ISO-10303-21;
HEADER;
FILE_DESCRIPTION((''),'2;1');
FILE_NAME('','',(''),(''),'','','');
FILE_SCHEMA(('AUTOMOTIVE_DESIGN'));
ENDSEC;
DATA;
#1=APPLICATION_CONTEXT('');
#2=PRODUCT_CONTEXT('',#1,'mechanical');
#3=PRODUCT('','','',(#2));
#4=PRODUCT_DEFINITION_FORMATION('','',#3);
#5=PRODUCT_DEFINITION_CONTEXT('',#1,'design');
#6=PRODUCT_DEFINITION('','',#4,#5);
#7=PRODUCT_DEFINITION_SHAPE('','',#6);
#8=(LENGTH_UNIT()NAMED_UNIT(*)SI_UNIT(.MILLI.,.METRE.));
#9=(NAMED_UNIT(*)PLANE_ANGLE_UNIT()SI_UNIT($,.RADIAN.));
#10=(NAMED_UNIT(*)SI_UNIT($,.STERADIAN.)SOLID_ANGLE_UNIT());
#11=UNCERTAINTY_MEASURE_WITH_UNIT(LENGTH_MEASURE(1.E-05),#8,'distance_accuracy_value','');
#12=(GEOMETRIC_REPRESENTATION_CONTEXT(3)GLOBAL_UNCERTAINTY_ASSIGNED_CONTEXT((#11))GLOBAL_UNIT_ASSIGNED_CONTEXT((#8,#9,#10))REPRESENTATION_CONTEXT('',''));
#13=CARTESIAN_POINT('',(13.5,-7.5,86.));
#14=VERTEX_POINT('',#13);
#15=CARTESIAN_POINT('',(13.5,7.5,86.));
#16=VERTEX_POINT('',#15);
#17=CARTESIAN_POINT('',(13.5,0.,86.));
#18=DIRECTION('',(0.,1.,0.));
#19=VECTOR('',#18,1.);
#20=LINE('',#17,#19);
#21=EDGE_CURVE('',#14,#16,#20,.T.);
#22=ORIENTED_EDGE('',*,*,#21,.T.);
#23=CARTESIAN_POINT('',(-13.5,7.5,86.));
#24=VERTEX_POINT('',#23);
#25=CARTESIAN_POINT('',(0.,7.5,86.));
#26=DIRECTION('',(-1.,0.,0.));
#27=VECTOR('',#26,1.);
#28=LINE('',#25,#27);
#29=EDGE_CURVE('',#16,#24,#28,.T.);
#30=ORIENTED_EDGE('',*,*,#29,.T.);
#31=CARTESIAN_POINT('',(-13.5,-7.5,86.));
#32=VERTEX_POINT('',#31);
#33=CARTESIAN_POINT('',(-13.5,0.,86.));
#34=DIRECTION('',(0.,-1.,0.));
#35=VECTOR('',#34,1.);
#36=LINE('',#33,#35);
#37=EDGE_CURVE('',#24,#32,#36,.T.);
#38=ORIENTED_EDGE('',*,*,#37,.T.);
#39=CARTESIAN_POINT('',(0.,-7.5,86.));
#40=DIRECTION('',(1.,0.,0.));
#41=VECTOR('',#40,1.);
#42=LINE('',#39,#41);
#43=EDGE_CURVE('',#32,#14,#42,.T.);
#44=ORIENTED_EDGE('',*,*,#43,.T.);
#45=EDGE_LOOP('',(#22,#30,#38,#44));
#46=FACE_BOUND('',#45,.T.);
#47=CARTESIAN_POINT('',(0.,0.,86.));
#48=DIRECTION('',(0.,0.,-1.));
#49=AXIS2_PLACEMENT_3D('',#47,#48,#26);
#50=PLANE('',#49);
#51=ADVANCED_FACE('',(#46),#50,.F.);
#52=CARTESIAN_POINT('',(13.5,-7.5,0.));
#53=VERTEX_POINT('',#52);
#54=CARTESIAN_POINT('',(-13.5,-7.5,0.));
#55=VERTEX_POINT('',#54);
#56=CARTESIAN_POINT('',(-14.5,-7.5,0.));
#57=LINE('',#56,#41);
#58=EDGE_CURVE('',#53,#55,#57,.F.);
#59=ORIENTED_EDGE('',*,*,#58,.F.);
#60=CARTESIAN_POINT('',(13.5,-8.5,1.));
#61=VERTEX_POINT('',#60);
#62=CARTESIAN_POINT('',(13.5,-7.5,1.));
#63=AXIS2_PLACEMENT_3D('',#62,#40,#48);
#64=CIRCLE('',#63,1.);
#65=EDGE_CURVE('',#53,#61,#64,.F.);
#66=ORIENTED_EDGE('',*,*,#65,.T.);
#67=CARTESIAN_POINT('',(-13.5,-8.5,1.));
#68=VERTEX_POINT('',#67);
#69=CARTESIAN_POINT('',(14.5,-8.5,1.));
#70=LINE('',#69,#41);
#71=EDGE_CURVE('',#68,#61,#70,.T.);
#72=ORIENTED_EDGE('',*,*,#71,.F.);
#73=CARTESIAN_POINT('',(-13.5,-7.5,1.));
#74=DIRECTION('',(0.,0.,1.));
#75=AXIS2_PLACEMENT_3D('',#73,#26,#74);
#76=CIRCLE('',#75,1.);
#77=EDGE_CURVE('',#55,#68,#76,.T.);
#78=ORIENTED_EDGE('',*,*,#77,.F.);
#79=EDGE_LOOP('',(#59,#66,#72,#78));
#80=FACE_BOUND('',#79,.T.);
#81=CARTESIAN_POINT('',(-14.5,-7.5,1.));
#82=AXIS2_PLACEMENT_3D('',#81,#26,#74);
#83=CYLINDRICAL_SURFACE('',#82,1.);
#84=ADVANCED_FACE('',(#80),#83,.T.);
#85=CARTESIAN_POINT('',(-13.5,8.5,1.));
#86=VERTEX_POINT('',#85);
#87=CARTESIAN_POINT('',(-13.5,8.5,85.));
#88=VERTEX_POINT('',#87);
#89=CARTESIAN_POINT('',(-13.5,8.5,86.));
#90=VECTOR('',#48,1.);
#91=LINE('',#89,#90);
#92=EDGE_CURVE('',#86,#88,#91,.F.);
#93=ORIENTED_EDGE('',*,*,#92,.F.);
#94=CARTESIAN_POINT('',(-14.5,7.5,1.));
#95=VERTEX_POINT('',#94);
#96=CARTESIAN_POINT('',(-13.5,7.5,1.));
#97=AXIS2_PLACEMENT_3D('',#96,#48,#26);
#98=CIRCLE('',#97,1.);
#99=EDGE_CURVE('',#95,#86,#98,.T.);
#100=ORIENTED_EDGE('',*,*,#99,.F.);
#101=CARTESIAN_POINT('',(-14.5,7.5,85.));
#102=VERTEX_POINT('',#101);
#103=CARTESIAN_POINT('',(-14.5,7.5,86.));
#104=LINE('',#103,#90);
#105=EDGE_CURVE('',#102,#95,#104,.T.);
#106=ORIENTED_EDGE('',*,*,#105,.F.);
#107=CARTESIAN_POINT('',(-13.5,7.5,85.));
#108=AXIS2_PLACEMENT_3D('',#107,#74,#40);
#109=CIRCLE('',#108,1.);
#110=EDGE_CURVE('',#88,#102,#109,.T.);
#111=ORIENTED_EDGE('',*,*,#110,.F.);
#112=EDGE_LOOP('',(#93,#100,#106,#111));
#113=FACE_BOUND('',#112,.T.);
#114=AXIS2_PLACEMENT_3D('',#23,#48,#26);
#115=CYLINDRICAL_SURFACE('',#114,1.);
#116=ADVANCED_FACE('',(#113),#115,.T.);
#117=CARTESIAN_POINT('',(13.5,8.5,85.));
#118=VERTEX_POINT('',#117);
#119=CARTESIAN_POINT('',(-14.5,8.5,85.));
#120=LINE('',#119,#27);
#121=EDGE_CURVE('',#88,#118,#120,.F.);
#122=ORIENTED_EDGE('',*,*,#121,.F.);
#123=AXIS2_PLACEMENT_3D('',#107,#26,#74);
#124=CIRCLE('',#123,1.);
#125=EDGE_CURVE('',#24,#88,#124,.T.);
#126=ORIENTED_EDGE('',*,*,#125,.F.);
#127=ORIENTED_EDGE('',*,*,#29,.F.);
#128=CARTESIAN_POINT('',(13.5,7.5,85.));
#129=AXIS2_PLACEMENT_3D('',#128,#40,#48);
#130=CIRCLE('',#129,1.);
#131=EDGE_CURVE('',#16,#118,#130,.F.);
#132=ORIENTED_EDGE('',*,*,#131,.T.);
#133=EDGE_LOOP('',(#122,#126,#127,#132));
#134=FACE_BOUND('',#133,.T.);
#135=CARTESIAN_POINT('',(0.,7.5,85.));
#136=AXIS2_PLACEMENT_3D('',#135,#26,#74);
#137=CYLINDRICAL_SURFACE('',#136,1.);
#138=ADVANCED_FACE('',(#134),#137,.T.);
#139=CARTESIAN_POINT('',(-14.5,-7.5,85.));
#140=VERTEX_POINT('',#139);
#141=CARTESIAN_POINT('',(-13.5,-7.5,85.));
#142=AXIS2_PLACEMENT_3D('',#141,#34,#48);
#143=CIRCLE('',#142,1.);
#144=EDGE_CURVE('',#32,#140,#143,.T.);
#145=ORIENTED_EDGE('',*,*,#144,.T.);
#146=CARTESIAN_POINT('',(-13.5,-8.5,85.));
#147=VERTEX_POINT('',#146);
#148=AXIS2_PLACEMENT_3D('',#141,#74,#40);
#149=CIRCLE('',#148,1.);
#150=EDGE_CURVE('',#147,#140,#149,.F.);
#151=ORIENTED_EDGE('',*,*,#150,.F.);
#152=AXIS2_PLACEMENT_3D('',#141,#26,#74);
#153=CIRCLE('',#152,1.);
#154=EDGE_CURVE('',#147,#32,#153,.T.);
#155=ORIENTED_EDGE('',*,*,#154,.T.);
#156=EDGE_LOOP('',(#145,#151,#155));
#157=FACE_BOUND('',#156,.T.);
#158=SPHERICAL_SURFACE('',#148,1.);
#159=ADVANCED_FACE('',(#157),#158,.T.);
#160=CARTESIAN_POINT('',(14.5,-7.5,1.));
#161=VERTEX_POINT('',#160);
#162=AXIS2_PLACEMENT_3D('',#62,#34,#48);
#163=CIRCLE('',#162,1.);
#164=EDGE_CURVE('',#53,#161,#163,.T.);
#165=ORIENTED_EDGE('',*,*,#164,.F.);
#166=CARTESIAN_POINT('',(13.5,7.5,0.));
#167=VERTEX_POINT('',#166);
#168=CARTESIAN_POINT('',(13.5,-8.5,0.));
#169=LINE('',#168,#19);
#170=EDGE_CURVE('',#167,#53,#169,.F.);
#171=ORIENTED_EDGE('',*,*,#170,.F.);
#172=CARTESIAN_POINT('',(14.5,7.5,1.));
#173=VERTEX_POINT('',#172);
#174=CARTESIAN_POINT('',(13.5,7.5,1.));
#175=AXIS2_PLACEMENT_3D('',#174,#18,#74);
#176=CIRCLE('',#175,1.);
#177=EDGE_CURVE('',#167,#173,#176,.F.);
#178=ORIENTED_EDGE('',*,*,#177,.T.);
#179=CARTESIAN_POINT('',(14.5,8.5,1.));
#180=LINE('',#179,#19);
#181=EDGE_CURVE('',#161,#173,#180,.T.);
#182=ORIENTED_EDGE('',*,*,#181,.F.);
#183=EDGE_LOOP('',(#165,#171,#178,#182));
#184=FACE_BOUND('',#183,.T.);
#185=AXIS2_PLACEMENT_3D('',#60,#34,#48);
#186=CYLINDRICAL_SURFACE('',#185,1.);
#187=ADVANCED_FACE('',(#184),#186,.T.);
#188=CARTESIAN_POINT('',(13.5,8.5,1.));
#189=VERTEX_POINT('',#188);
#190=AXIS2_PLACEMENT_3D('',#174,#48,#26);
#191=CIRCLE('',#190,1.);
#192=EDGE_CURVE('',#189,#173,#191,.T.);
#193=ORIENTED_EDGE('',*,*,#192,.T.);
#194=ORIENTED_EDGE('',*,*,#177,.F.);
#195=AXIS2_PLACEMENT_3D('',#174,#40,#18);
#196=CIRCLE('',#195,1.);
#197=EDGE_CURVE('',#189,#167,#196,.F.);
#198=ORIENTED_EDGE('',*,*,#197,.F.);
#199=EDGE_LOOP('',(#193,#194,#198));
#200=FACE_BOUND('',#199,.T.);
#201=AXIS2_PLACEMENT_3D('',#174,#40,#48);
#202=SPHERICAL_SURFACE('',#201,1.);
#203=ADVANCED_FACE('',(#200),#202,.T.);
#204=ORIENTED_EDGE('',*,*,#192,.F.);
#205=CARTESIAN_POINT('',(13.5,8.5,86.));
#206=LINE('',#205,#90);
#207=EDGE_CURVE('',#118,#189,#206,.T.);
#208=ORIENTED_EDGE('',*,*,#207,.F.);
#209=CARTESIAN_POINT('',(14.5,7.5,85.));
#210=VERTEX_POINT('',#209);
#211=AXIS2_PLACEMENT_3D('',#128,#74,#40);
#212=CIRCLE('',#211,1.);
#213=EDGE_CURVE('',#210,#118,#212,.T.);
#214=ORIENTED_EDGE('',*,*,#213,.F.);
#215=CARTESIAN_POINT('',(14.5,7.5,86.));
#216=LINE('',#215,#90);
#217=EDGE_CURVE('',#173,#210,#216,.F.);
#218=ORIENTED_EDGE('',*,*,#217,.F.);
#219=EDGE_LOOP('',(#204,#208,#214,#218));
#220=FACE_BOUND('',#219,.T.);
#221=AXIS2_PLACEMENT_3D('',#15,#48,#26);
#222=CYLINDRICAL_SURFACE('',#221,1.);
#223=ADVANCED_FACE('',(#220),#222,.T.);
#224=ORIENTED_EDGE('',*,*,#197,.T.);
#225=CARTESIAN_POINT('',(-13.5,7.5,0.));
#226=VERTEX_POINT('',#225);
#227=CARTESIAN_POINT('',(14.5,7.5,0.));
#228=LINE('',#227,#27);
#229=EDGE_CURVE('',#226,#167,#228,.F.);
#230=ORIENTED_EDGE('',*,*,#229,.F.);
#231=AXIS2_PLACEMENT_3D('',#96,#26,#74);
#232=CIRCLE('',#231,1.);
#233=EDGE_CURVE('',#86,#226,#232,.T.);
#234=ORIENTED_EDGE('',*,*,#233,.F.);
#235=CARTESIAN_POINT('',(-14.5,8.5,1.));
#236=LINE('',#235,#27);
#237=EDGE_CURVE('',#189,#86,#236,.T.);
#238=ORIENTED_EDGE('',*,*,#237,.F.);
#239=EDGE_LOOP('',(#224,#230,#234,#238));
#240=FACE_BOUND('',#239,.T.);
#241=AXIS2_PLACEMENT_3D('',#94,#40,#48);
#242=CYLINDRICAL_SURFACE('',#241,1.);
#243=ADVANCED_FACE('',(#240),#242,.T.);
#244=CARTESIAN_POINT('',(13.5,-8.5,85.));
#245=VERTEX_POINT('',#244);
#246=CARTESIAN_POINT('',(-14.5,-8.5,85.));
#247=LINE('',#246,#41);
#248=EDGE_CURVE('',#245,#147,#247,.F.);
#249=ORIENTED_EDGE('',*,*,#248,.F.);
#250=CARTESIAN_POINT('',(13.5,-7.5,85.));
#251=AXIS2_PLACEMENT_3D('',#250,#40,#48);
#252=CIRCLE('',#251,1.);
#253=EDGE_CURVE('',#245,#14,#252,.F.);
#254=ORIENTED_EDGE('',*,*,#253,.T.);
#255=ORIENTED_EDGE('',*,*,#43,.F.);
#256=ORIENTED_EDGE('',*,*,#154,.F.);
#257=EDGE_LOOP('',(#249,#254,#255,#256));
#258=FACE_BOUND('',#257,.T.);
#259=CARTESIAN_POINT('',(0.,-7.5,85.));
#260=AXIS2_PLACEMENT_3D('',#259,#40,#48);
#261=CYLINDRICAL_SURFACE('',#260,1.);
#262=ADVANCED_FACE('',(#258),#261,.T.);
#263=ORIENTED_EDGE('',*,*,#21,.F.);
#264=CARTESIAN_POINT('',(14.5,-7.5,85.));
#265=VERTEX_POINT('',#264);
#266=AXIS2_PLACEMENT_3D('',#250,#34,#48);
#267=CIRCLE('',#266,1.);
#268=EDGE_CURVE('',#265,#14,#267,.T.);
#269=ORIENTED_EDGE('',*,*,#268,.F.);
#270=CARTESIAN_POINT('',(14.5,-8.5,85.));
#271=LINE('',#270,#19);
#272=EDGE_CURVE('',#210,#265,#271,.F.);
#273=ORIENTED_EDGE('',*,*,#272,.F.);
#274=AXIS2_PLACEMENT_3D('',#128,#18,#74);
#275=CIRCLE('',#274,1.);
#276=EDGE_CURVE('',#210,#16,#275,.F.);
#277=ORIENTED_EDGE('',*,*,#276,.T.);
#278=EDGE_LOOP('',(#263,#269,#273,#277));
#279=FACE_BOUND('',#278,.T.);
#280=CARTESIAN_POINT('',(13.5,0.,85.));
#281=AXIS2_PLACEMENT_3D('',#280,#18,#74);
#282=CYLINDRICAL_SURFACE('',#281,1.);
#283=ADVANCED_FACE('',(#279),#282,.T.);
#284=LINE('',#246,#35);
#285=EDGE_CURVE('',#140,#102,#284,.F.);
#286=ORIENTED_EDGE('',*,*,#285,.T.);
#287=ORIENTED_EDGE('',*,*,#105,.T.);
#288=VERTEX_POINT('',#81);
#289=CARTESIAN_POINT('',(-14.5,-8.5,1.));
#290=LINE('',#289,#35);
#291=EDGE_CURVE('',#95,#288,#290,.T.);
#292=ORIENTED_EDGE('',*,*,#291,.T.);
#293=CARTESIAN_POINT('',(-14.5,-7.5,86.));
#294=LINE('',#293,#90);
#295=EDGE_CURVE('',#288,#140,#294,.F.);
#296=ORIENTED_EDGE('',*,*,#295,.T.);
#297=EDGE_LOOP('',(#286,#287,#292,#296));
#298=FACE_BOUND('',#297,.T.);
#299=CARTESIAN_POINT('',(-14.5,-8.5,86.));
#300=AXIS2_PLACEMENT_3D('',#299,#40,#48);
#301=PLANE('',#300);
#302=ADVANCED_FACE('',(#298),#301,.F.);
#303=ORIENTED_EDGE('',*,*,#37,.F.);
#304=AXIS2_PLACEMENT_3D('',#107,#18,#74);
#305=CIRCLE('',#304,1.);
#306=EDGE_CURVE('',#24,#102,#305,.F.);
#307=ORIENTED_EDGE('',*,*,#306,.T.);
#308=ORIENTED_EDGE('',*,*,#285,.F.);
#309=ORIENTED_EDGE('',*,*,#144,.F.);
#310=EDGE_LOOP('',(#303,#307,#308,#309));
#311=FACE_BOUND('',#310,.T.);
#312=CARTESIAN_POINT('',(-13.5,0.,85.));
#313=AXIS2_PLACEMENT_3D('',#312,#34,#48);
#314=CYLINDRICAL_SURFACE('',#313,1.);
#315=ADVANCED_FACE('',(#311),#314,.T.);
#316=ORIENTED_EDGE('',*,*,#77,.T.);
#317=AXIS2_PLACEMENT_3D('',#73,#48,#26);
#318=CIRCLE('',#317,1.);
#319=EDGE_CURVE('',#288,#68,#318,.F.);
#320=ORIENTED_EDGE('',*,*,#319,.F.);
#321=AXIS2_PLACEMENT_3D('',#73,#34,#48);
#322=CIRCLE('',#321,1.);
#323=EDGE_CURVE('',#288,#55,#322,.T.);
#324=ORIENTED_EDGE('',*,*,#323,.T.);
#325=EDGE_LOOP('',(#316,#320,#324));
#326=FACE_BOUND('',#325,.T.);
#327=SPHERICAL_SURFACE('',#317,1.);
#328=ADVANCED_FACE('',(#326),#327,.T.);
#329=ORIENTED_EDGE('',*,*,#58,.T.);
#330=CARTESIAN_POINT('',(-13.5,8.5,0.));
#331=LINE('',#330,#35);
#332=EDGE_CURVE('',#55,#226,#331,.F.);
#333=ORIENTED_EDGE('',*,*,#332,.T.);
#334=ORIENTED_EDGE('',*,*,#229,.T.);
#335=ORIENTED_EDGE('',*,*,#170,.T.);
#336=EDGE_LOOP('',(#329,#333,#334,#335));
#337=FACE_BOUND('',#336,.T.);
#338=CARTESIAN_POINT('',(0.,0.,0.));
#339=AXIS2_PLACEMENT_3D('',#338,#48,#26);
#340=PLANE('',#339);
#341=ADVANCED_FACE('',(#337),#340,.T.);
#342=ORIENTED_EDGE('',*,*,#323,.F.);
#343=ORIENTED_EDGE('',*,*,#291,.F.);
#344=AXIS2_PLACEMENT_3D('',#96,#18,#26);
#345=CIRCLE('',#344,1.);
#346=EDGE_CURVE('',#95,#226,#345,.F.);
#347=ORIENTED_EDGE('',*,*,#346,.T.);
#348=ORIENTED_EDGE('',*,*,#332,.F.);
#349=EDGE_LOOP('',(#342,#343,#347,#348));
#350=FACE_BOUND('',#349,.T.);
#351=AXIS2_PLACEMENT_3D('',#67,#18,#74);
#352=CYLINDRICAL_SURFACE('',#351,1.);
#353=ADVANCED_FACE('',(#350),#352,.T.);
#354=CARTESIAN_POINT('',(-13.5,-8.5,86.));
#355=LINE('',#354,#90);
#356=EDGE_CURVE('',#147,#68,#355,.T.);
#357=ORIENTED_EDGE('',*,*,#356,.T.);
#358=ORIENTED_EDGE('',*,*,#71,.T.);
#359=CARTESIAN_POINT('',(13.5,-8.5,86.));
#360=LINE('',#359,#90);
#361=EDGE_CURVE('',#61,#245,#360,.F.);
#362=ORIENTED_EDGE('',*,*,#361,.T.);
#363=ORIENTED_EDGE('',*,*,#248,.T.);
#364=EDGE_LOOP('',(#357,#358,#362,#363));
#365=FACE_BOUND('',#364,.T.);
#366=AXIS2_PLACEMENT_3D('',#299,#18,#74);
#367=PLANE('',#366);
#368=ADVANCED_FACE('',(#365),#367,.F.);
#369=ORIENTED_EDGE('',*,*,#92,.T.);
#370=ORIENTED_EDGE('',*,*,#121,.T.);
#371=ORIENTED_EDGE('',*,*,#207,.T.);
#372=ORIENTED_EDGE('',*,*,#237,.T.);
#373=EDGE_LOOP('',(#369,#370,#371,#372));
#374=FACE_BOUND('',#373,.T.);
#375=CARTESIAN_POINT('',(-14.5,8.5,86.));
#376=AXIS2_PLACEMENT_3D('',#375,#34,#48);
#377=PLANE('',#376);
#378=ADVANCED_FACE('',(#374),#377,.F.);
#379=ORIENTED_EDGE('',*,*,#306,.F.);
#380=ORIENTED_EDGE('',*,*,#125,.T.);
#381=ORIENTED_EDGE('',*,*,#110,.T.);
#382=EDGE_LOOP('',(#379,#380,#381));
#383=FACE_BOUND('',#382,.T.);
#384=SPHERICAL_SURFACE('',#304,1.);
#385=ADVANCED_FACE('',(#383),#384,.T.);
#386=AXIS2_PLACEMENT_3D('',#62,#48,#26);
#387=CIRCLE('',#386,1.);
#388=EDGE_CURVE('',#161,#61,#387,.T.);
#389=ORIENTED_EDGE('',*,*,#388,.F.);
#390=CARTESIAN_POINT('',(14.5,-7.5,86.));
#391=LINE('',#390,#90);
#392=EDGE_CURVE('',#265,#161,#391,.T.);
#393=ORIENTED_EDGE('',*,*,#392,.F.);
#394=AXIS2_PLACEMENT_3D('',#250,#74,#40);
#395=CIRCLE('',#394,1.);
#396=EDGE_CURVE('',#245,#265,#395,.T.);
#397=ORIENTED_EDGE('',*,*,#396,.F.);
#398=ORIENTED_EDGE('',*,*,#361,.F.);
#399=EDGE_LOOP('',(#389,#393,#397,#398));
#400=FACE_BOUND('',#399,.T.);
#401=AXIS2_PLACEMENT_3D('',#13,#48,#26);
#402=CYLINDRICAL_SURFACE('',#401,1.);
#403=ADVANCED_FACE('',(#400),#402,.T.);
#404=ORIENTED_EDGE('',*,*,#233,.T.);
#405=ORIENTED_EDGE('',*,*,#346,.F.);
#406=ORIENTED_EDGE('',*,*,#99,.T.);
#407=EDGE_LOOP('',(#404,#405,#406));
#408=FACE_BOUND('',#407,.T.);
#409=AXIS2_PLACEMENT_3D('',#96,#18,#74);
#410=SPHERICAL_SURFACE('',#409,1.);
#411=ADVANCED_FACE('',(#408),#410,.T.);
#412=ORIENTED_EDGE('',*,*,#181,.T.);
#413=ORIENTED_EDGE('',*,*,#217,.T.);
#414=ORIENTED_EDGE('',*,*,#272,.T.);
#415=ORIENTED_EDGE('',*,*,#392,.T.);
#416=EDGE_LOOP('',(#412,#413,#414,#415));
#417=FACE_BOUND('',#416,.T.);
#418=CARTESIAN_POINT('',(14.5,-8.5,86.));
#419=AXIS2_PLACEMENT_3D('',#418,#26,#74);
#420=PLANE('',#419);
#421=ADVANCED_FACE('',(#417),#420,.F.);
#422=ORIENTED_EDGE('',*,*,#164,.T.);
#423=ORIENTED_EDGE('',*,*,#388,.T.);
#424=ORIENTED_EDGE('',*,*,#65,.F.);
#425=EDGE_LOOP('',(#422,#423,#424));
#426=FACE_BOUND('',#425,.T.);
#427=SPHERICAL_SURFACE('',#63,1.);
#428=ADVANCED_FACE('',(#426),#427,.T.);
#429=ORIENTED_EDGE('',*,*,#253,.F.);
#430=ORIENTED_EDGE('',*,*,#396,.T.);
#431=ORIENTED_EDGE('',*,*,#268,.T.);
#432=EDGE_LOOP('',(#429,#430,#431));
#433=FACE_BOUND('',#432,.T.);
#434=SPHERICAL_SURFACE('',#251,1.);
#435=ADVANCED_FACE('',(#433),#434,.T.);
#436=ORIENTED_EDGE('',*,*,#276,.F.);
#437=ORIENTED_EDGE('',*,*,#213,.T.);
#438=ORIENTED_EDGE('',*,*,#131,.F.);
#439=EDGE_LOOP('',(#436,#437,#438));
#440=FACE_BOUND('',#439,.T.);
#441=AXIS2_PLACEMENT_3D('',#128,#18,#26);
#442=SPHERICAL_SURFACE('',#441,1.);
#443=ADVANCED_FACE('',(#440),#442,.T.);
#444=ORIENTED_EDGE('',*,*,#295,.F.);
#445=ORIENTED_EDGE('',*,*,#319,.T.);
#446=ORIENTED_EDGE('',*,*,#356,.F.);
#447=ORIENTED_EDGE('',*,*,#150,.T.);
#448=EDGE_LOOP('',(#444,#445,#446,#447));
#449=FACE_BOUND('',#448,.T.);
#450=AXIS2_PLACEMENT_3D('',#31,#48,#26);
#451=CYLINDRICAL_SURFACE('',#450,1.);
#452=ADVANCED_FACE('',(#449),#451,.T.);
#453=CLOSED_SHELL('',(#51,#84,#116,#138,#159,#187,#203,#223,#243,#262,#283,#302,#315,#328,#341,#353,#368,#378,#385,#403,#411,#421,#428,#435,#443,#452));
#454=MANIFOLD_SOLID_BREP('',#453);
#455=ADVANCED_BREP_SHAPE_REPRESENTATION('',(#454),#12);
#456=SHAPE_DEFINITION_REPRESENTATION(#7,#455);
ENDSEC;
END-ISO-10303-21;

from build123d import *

# Parameters (mm, degrees)
SKETCH1_W           = 29
SKETCH1_H           = 17
BOSS_EXTRUDE1_DEPTH = 86
FILLET1_R           = 1


with BuildPart() as part:
    # Sketch1 → Boss-Extrude1 (new body)
    with BuildSketch(Plane.XY):
        Rectangle(SKETCH1_W, SKETCH1_H)
    extrude(amount=BOSS_EXTRUDE1_DEPTH)

    # Fillet1
    fillet1_edges = [part.edges().sort_by_distance(p)[0] for p in [
        (-14.5, 0, 86),
        (0, -8.5, 86),
        (14.5, 0, 86),
        (0, -8.5, 0),
        (-14.5, 0, 0),
        (0, 8.5, 0),
        (14.5, 0, 0),
        (14.5, -8.5, 43),
        (-14.5, -8.5, 43),
        (-14.5, 8.5, 43),
        (14.5, 8.5, 43),
        (0, 8.5, 86),
    ]]
    fillet(fillet1_edges, radius=FILLET1_R)


solid = part.part
